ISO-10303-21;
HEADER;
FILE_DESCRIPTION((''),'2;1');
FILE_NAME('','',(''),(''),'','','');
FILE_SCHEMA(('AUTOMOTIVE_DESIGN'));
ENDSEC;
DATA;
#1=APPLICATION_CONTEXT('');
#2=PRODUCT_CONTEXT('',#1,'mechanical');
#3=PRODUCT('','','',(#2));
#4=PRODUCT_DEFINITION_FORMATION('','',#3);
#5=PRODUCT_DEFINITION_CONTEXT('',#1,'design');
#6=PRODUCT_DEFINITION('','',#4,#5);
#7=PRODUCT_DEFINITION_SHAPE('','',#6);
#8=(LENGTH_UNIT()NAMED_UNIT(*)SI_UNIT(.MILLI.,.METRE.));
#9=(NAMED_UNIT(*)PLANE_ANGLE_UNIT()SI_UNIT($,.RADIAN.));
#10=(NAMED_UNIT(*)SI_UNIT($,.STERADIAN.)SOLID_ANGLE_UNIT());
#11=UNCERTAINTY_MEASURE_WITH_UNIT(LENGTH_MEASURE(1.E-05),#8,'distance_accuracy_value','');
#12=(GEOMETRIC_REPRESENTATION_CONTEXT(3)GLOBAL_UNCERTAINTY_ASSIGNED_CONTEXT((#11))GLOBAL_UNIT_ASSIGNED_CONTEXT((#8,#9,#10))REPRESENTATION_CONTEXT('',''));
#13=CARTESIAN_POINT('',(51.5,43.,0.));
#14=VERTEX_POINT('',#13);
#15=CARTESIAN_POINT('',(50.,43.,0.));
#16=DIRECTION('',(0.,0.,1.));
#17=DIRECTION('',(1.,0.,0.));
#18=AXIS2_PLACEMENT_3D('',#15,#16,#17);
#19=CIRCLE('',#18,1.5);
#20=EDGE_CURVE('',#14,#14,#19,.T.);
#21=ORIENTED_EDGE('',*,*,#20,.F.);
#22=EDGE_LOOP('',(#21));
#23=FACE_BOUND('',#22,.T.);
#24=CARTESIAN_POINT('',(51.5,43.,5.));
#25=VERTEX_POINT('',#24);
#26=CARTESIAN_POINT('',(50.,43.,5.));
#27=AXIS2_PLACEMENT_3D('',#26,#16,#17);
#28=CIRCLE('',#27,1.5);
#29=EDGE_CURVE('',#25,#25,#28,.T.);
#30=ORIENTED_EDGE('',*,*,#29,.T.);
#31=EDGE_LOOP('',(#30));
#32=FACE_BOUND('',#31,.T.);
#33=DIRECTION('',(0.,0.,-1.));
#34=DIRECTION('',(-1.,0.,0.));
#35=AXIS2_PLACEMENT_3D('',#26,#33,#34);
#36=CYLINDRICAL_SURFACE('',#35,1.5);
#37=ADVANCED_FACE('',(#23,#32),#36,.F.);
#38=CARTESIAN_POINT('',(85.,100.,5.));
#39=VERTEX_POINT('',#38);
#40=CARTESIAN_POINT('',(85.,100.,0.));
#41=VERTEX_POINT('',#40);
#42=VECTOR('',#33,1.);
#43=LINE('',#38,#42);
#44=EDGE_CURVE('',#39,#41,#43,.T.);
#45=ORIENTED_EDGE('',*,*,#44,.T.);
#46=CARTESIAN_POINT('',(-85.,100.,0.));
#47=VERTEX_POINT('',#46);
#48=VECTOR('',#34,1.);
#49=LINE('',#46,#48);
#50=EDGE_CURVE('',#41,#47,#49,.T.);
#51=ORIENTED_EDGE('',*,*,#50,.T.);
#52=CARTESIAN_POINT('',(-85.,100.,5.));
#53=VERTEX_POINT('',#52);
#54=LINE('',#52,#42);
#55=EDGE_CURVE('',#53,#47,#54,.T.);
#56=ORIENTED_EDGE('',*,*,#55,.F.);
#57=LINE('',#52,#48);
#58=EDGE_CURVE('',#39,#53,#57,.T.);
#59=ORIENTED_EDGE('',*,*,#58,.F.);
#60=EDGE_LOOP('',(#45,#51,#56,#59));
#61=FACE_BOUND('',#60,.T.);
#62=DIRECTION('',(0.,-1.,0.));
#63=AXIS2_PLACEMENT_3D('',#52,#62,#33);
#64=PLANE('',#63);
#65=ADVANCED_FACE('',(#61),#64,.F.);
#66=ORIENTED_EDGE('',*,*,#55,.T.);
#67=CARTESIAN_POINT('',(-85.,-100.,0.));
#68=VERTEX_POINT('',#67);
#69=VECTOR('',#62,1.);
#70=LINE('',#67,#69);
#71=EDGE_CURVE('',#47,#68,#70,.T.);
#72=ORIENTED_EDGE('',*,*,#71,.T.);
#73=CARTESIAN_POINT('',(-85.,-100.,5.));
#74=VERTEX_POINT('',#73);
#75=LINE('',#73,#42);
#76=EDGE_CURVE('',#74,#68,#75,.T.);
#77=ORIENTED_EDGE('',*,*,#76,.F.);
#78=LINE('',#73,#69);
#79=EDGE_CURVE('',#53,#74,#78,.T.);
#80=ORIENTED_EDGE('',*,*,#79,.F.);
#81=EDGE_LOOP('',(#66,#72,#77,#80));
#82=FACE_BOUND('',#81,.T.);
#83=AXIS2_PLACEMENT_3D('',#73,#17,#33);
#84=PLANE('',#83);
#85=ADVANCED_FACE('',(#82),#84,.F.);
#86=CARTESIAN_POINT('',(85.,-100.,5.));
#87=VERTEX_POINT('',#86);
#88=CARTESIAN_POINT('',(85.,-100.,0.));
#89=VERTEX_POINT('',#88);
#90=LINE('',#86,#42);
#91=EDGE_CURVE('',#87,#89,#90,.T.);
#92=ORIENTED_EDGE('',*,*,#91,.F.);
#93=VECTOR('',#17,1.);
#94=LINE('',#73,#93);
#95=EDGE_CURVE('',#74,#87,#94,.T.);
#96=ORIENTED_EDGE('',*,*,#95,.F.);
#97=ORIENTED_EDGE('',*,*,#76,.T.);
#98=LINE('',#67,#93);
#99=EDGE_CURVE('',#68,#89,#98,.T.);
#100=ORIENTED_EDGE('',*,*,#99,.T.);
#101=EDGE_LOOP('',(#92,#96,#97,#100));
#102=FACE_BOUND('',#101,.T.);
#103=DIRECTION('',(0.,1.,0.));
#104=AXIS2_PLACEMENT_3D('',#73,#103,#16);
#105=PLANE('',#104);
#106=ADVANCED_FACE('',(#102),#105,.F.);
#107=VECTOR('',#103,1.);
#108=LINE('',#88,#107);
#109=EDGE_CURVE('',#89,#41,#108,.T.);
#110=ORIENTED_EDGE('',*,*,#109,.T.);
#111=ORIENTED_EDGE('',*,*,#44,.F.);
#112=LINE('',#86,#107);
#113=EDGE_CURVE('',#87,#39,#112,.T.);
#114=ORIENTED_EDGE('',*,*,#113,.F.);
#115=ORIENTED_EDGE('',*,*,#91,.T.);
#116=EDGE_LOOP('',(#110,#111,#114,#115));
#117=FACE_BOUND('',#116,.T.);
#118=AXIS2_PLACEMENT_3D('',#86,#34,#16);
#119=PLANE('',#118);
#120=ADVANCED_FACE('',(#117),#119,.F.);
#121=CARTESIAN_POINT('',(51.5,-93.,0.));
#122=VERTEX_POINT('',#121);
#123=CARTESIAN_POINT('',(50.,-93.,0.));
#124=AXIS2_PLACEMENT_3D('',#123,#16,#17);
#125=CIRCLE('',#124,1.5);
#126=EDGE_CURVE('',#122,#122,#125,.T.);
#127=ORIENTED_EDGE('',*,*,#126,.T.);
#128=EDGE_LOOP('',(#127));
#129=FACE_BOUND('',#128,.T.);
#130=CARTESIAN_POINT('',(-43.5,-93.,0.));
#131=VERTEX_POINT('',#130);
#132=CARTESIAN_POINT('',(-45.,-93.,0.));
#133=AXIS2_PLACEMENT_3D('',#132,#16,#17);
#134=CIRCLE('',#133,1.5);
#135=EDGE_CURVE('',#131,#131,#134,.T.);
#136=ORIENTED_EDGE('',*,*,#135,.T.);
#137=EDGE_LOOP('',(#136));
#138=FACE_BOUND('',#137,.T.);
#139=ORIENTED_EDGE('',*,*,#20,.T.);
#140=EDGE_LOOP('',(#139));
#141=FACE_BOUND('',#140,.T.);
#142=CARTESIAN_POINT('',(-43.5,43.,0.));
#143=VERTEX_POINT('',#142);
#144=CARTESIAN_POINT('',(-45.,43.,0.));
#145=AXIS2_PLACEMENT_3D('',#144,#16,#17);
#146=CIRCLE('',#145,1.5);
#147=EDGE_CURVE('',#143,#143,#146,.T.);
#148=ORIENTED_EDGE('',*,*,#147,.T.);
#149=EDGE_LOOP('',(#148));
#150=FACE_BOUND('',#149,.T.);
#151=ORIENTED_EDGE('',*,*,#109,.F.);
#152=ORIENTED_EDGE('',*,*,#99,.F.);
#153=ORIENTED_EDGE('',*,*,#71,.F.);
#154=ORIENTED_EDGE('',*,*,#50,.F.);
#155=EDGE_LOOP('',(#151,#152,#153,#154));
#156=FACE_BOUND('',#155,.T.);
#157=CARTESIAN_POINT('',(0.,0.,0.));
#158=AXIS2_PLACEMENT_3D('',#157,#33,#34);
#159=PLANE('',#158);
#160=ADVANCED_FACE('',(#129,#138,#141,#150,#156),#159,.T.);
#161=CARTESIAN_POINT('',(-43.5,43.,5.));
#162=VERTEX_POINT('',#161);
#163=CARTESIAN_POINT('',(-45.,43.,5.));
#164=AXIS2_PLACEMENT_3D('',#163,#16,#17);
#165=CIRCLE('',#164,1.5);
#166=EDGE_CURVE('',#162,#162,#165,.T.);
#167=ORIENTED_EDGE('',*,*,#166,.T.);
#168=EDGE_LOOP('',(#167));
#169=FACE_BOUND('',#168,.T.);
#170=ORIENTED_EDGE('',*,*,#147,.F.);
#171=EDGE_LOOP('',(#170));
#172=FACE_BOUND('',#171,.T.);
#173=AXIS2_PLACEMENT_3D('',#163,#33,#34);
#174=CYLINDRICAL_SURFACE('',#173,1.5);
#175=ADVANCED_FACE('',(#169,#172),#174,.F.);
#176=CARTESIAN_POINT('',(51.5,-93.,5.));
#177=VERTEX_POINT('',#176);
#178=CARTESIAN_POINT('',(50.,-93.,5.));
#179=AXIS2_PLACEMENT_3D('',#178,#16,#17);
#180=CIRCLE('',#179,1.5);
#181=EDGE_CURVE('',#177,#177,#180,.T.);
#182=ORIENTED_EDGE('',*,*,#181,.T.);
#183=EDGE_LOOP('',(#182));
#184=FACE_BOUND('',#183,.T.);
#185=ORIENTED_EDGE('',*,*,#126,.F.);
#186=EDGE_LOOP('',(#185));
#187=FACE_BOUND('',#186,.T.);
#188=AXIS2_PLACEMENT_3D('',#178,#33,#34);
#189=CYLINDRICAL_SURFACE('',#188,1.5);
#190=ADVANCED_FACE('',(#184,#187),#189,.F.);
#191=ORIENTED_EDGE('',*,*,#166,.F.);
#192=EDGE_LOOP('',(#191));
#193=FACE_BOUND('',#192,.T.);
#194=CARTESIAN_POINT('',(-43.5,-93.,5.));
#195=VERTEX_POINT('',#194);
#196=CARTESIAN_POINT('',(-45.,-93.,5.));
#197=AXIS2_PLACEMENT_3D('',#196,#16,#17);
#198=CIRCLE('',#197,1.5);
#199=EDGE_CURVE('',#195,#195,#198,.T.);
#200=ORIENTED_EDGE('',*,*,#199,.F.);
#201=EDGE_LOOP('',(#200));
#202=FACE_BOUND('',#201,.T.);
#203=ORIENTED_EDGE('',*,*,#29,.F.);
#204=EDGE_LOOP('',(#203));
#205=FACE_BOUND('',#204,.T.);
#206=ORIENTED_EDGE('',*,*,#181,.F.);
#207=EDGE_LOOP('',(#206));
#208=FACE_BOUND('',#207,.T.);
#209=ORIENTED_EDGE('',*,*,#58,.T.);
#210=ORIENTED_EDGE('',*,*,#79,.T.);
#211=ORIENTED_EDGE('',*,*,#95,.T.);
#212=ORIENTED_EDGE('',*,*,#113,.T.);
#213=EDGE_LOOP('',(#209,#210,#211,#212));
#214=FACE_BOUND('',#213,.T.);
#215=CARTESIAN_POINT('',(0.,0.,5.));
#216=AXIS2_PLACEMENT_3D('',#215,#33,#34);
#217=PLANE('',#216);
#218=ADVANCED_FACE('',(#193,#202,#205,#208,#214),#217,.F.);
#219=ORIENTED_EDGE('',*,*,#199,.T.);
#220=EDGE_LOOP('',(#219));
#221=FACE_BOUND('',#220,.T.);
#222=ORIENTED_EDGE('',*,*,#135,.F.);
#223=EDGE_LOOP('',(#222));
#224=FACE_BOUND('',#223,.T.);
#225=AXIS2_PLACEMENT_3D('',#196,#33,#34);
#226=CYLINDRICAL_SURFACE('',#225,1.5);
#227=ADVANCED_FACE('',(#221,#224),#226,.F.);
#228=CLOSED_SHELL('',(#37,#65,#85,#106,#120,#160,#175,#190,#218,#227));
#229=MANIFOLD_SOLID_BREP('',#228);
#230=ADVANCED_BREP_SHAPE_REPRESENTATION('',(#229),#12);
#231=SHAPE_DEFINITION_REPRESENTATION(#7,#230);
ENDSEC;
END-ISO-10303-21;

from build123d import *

# Parameters (mm, degrees)
SKETCH1_W           = 170
SKETCH1_H           = 200
SKETCH1_R           = 1.5
BOSS_EXTRUDE1_DEPTH = 5


with BuildPart() as part:
    # Sketch1 → Boss-Extrude1 (new body)
    with BuildSketch(Plane.XY):
        Rectangle(SKETCH1_W, SKETCH1_H)
        with Locations((-45, 43)):
            Circle(SKETCH1_R, mode=Mode.SUBTRACT)
        with Locations((50, 43)):
            Circle(SKETCH1_R, mode=Mode.SUBTRACT)
        with Locations((50, -93)):
            Circle(SKETCH1_R, mode=Mode.SUBTRACT)
        with Locations((-45, -93)):
            Circle(SKETCH1_R, mode=Mode.SUBTRACT)
    extrude(amount=BOSS_EXTRUDE1_DEPTH)


solid = part.part
